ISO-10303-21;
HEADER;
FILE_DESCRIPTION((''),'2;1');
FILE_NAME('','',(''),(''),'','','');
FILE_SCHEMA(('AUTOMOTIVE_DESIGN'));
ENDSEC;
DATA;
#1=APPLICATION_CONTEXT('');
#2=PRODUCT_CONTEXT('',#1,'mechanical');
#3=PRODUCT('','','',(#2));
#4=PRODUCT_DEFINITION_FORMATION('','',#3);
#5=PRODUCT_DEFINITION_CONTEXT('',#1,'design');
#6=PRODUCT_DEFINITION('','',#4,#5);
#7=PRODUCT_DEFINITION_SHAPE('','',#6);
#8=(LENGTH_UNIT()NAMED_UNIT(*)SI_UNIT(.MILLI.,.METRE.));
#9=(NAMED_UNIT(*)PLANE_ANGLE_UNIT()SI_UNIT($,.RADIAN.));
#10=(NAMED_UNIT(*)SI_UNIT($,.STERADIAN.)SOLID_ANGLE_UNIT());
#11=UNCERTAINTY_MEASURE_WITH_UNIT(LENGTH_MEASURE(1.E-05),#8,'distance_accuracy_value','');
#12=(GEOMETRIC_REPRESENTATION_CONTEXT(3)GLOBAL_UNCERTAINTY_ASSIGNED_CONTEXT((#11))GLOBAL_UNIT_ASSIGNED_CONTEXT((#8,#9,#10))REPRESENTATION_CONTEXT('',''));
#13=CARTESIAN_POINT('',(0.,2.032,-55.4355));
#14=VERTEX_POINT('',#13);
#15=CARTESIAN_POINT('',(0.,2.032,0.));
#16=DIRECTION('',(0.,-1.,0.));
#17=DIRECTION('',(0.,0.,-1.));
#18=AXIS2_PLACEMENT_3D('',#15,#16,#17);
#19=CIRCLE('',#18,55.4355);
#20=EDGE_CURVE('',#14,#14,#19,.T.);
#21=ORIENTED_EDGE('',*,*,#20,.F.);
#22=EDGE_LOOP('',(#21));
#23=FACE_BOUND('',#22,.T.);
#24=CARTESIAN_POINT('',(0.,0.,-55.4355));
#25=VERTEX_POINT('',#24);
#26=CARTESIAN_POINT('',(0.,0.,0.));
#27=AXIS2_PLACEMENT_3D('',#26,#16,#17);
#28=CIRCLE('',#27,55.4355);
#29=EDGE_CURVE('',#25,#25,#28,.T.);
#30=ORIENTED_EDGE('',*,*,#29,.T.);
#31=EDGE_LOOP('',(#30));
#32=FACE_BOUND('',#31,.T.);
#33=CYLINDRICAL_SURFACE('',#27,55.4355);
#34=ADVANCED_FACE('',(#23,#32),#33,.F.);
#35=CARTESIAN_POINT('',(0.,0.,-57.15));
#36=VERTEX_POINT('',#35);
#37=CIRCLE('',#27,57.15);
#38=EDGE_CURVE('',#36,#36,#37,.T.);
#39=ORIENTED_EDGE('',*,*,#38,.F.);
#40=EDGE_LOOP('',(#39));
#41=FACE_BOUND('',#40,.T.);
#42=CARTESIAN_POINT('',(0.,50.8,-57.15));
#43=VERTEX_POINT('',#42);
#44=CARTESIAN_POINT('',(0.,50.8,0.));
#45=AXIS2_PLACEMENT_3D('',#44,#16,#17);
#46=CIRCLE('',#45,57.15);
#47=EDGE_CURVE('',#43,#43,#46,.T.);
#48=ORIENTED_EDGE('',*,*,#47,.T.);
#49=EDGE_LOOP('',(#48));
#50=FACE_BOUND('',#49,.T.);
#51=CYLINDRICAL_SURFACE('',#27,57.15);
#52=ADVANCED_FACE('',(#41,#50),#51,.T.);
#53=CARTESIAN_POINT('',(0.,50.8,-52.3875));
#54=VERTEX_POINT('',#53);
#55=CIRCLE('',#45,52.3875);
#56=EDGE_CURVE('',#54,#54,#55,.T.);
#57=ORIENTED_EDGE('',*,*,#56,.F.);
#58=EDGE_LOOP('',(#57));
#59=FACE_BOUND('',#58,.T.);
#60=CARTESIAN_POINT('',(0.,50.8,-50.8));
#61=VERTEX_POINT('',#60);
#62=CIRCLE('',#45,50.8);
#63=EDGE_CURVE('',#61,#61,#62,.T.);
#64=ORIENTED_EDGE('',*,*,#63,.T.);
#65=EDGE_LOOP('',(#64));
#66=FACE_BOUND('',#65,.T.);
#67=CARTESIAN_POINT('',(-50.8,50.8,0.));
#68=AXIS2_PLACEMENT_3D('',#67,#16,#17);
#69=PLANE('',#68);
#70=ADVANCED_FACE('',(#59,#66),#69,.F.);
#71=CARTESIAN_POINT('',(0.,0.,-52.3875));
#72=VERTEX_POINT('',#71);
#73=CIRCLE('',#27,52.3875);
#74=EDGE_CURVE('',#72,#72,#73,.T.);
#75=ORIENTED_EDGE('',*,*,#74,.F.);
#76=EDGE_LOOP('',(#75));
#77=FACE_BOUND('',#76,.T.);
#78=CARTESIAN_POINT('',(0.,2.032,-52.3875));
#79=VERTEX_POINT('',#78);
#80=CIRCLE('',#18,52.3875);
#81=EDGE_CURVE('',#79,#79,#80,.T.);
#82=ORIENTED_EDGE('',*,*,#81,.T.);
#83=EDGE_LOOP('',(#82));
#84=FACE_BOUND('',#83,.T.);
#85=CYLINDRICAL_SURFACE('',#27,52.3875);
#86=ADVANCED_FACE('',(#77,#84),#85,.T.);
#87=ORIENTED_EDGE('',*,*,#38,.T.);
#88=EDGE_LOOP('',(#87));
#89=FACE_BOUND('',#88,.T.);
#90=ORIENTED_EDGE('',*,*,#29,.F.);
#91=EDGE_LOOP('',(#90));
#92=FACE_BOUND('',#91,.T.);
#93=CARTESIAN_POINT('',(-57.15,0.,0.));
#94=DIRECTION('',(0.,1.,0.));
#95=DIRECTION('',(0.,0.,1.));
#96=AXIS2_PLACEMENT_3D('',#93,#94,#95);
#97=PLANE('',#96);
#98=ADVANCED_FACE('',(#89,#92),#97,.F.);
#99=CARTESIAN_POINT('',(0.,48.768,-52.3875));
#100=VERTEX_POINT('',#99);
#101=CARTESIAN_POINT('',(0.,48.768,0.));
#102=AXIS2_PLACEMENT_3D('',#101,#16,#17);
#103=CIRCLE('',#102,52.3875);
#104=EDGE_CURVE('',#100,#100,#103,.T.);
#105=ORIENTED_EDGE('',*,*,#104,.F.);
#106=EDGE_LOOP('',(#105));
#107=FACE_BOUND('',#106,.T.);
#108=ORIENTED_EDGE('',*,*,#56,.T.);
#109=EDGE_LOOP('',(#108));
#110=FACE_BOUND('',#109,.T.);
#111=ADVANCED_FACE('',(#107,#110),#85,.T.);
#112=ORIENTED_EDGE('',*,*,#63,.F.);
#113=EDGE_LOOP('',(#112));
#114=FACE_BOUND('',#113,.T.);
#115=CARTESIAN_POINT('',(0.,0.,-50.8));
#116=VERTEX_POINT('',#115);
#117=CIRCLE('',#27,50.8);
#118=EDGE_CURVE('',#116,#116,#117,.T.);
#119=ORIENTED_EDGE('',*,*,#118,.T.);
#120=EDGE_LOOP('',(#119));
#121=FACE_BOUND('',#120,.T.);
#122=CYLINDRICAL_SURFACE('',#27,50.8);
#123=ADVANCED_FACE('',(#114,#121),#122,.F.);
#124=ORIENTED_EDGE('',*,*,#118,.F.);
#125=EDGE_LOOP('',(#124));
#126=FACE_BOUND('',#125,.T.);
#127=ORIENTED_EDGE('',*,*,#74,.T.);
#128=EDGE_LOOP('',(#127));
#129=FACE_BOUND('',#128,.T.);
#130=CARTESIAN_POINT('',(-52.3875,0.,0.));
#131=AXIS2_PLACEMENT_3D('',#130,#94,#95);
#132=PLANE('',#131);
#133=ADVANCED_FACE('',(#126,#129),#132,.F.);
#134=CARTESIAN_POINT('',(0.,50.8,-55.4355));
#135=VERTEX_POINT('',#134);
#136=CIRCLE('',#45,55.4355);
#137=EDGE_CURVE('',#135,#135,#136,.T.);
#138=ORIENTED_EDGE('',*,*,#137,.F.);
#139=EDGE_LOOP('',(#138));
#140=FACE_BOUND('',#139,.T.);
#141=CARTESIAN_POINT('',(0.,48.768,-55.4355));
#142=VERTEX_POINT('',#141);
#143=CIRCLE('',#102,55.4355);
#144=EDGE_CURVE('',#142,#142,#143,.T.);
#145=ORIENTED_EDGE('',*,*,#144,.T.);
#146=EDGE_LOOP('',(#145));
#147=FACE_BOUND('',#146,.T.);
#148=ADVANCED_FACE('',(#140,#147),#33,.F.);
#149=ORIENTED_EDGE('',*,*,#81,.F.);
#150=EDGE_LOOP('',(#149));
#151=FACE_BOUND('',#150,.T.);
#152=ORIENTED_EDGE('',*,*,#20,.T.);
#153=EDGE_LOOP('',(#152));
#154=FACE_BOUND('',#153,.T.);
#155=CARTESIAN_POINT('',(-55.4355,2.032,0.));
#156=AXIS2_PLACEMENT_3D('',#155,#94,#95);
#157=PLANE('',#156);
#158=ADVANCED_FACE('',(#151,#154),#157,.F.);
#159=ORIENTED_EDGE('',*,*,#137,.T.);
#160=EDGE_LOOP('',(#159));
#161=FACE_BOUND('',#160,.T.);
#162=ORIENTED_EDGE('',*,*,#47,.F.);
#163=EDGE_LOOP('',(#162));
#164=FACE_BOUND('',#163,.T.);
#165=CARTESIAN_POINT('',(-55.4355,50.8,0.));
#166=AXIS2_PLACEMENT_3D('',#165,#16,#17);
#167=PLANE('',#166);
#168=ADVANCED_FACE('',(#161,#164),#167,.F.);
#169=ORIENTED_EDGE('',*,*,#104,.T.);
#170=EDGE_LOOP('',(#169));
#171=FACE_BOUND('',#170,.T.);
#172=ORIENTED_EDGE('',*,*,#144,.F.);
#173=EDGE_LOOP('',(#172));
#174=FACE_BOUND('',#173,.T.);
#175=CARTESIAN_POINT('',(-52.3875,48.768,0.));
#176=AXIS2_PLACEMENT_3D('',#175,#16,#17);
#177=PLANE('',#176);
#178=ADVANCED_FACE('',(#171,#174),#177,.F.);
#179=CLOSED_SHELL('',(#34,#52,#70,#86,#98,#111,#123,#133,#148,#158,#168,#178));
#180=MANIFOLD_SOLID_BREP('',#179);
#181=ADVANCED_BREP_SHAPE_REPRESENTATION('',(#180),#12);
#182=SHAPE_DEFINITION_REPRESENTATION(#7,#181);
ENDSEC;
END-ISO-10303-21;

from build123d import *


with BuildPart() as part:
    # Sketch1 → Revolve1 (revolve)
    with BuildSketch(Plane.XY):
        Polygon((-50.8, 0), (-50.8, 50.8), (-52.3875, 50.8), (-52.3875, 48.768), (-55.4355, 48.768), (-55.4355, 50.8), (-57.15, 50.8), (-57.15, 0), (-55.4355, 0), (-55.4355, 2.032), (-52.3875, 2.032), (-52.3875, 0), align=None)
    revolve(axis=Axis((0, 0, 0), (0, 1, 0)))


solid = part.part
